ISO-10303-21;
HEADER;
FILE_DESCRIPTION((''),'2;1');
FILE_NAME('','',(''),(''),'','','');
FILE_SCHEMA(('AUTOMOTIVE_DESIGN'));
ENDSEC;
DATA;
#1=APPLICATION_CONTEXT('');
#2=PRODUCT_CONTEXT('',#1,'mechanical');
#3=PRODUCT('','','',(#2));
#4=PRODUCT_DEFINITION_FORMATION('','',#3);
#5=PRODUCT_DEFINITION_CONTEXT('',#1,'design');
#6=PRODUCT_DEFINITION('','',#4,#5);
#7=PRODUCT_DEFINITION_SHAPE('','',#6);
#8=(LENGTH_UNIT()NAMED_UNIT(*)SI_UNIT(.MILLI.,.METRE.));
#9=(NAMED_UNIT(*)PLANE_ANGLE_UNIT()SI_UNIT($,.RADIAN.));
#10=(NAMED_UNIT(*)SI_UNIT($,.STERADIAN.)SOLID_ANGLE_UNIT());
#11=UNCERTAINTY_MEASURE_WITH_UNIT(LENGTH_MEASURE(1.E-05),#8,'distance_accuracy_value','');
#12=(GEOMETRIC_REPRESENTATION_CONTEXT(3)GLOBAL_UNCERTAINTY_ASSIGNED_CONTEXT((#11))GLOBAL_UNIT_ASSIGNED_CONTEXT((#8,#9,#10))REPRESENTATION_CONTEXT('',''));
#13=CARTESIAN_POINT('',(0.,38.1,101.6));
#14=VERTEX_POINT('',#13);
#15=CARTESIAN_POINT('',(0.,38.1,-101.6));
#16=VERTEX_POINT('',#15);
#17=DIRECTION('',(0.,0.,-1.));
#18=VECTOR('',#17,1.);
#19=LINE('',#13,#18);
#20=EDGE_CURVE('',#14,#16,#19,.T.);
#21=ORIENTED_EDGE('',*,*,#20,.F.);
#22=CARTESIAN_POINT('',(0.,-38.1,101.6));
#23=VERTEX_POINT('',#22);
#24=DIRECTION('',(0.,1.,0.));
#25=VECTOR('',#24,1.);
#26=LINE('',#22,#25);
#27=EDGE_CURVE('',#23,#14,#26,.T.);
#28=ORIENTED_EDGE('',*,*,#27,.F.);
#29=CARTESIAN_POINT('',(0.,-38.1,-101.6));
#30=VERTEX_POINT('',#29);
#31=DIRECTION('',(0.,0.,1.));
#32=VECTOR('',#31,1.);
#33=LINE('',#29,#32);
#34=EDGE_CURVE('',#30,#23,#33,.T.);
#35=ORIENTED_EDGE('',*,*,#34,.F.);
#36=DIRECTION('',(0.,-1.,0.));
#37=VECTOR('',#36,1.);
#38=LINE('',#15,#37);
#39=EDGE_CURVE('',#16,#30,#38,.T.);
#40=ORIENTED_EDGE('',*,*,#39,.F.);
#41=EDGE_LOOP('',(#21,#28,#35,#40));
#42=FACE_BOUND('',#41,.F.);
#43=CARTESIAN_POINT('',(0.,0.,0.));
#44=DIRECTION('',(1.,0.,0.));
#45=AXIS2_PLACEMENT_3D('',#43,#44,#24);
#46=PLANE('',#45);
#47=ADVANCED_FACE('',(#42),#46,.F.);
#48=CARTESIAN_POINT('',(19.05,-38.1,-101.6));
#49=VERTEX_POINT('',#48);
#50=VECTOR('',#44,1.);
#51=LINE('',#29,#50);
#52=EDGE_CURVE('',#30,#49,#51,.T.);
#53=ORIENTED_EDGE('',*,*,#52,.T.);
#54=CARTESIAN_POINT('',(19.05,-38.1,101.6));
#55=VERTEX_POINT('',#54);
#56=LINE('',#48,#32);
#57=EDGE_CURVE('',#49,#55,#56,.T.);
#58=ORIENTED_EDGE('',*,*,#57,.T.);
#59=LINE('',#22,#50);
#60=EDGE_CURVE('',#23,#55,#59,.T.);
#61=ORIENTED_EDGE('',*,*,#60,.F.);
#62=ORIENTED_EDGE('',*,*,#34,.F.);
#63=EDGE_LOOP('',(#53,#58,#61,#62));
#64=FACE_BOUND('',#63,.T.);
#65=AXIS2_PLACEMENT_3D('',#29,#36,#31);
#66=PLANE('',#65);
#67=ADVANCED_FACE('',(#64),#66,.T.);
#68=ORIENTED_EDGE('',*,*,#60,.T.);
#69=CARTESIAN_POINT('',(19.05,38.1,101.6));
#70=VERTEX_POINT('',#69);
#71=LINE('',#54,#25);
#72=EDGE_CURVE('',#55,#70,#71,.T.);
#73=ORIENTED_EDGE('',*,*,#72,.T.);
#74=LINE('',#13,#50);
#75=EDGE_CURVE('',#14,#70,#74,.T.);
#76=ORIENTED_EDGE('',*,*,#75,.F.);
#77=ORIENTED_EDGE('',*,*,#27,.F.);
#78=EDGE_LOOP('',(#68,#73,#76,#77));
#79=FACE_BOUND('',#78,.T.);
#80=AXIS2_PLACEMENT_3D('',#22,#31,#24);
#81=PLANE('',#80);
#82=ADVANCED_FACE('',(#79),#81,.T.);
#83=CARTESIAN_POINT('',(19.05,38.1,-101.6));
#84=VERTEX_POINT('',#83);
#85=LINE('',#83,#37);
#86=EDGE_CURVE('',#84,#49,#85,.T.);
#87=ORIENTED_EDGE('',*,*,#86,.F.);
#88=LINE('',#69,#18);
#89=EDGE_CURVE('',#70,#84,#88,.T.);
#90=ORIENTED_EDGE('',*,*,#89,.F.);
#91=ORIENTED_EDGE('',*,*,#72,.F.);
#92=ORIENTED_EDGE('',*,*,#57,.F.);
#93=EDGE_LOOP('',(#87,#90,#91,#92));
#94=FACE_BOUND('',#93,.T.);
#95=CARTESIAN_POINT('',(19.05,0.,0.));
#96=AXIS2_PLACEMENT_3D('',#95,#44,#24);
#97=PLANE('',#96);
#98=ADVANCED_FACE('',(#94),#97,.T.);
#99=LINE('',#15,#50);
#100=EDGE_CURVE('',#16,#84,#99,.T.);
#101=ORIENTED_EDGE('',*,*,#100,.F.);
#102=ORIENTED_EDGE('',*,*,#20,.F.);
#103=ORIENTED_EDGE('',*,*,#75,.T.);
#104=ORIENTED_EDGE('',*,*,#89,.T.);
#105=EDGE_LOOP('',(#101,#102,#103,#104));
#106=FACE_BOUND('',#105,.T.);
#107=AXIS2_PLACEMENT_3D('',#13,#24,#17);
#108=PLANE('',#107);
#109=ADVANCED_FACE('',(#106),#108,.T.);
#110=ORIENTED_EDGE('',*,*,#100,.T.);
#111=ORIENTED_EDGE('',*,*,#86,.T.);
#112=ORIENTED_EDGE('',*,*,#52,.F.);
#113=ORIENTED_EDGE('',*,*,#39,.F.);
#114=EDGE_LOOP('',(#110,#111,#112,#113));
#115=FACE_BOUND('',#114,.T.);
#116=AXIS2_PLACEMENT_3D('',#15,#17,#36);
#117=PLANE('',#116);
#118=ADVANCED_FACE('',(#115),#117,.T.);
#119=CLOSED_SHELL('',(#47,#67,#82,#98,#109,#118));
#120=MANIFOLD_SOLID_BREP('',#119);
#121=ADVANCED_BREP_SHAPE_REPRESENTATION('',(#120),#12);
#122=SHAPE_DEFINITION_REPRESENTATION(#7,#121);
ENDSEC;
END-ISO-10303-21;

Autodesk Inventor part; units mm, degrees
ref_plane "YZ Plane" through (0, 0, 0) normal (1, 0, 0) x (0, 1, 0)
ref_plane "XZ Plane" through (0, 0, 0) normal (0, 1, 0) x (-1, 0, 0)
ref_plane "XY Plane" through (0, 0, 0) normal (0, 0, 1) x (1, 0, 0)
sketch "Sketch1" plane through (0, 0, 0) normal (1, 0, 0) x (0, 1, 0)
  line L0 (-38.1, 101.6) -> (38.1, 101.6)
  line L1 (38.1, 101.6) -> (38.1, -101.6)
  line L2 (38.1, -101.6) -> (-38.1, -101.6)
  line L3 (-38.1, -101.6) -> (-38.1, 101.6)
  line L4 (-38.1, 101.6) -> (38.1, -101.6) construction
  line L5 (38.1, 101.6) -> (-38.1, -101.6) construction
  point P0 (0, 0)
  dimension "d0" = 203.2
  dimension "d1" = 76.2
extrude "Extrusion1" add sketch "Sketch1" along normal blind 19.05
equation "\"d0\" = Width"
equation "\"d1\" = Height"
equation "\"d2\" = Thickness"
equation "\"Height\" = 76.2"
equation "\"Width\" = 203.2"
equation "\"Thickness\" = 19.05"
properties part number "sidePlate"
